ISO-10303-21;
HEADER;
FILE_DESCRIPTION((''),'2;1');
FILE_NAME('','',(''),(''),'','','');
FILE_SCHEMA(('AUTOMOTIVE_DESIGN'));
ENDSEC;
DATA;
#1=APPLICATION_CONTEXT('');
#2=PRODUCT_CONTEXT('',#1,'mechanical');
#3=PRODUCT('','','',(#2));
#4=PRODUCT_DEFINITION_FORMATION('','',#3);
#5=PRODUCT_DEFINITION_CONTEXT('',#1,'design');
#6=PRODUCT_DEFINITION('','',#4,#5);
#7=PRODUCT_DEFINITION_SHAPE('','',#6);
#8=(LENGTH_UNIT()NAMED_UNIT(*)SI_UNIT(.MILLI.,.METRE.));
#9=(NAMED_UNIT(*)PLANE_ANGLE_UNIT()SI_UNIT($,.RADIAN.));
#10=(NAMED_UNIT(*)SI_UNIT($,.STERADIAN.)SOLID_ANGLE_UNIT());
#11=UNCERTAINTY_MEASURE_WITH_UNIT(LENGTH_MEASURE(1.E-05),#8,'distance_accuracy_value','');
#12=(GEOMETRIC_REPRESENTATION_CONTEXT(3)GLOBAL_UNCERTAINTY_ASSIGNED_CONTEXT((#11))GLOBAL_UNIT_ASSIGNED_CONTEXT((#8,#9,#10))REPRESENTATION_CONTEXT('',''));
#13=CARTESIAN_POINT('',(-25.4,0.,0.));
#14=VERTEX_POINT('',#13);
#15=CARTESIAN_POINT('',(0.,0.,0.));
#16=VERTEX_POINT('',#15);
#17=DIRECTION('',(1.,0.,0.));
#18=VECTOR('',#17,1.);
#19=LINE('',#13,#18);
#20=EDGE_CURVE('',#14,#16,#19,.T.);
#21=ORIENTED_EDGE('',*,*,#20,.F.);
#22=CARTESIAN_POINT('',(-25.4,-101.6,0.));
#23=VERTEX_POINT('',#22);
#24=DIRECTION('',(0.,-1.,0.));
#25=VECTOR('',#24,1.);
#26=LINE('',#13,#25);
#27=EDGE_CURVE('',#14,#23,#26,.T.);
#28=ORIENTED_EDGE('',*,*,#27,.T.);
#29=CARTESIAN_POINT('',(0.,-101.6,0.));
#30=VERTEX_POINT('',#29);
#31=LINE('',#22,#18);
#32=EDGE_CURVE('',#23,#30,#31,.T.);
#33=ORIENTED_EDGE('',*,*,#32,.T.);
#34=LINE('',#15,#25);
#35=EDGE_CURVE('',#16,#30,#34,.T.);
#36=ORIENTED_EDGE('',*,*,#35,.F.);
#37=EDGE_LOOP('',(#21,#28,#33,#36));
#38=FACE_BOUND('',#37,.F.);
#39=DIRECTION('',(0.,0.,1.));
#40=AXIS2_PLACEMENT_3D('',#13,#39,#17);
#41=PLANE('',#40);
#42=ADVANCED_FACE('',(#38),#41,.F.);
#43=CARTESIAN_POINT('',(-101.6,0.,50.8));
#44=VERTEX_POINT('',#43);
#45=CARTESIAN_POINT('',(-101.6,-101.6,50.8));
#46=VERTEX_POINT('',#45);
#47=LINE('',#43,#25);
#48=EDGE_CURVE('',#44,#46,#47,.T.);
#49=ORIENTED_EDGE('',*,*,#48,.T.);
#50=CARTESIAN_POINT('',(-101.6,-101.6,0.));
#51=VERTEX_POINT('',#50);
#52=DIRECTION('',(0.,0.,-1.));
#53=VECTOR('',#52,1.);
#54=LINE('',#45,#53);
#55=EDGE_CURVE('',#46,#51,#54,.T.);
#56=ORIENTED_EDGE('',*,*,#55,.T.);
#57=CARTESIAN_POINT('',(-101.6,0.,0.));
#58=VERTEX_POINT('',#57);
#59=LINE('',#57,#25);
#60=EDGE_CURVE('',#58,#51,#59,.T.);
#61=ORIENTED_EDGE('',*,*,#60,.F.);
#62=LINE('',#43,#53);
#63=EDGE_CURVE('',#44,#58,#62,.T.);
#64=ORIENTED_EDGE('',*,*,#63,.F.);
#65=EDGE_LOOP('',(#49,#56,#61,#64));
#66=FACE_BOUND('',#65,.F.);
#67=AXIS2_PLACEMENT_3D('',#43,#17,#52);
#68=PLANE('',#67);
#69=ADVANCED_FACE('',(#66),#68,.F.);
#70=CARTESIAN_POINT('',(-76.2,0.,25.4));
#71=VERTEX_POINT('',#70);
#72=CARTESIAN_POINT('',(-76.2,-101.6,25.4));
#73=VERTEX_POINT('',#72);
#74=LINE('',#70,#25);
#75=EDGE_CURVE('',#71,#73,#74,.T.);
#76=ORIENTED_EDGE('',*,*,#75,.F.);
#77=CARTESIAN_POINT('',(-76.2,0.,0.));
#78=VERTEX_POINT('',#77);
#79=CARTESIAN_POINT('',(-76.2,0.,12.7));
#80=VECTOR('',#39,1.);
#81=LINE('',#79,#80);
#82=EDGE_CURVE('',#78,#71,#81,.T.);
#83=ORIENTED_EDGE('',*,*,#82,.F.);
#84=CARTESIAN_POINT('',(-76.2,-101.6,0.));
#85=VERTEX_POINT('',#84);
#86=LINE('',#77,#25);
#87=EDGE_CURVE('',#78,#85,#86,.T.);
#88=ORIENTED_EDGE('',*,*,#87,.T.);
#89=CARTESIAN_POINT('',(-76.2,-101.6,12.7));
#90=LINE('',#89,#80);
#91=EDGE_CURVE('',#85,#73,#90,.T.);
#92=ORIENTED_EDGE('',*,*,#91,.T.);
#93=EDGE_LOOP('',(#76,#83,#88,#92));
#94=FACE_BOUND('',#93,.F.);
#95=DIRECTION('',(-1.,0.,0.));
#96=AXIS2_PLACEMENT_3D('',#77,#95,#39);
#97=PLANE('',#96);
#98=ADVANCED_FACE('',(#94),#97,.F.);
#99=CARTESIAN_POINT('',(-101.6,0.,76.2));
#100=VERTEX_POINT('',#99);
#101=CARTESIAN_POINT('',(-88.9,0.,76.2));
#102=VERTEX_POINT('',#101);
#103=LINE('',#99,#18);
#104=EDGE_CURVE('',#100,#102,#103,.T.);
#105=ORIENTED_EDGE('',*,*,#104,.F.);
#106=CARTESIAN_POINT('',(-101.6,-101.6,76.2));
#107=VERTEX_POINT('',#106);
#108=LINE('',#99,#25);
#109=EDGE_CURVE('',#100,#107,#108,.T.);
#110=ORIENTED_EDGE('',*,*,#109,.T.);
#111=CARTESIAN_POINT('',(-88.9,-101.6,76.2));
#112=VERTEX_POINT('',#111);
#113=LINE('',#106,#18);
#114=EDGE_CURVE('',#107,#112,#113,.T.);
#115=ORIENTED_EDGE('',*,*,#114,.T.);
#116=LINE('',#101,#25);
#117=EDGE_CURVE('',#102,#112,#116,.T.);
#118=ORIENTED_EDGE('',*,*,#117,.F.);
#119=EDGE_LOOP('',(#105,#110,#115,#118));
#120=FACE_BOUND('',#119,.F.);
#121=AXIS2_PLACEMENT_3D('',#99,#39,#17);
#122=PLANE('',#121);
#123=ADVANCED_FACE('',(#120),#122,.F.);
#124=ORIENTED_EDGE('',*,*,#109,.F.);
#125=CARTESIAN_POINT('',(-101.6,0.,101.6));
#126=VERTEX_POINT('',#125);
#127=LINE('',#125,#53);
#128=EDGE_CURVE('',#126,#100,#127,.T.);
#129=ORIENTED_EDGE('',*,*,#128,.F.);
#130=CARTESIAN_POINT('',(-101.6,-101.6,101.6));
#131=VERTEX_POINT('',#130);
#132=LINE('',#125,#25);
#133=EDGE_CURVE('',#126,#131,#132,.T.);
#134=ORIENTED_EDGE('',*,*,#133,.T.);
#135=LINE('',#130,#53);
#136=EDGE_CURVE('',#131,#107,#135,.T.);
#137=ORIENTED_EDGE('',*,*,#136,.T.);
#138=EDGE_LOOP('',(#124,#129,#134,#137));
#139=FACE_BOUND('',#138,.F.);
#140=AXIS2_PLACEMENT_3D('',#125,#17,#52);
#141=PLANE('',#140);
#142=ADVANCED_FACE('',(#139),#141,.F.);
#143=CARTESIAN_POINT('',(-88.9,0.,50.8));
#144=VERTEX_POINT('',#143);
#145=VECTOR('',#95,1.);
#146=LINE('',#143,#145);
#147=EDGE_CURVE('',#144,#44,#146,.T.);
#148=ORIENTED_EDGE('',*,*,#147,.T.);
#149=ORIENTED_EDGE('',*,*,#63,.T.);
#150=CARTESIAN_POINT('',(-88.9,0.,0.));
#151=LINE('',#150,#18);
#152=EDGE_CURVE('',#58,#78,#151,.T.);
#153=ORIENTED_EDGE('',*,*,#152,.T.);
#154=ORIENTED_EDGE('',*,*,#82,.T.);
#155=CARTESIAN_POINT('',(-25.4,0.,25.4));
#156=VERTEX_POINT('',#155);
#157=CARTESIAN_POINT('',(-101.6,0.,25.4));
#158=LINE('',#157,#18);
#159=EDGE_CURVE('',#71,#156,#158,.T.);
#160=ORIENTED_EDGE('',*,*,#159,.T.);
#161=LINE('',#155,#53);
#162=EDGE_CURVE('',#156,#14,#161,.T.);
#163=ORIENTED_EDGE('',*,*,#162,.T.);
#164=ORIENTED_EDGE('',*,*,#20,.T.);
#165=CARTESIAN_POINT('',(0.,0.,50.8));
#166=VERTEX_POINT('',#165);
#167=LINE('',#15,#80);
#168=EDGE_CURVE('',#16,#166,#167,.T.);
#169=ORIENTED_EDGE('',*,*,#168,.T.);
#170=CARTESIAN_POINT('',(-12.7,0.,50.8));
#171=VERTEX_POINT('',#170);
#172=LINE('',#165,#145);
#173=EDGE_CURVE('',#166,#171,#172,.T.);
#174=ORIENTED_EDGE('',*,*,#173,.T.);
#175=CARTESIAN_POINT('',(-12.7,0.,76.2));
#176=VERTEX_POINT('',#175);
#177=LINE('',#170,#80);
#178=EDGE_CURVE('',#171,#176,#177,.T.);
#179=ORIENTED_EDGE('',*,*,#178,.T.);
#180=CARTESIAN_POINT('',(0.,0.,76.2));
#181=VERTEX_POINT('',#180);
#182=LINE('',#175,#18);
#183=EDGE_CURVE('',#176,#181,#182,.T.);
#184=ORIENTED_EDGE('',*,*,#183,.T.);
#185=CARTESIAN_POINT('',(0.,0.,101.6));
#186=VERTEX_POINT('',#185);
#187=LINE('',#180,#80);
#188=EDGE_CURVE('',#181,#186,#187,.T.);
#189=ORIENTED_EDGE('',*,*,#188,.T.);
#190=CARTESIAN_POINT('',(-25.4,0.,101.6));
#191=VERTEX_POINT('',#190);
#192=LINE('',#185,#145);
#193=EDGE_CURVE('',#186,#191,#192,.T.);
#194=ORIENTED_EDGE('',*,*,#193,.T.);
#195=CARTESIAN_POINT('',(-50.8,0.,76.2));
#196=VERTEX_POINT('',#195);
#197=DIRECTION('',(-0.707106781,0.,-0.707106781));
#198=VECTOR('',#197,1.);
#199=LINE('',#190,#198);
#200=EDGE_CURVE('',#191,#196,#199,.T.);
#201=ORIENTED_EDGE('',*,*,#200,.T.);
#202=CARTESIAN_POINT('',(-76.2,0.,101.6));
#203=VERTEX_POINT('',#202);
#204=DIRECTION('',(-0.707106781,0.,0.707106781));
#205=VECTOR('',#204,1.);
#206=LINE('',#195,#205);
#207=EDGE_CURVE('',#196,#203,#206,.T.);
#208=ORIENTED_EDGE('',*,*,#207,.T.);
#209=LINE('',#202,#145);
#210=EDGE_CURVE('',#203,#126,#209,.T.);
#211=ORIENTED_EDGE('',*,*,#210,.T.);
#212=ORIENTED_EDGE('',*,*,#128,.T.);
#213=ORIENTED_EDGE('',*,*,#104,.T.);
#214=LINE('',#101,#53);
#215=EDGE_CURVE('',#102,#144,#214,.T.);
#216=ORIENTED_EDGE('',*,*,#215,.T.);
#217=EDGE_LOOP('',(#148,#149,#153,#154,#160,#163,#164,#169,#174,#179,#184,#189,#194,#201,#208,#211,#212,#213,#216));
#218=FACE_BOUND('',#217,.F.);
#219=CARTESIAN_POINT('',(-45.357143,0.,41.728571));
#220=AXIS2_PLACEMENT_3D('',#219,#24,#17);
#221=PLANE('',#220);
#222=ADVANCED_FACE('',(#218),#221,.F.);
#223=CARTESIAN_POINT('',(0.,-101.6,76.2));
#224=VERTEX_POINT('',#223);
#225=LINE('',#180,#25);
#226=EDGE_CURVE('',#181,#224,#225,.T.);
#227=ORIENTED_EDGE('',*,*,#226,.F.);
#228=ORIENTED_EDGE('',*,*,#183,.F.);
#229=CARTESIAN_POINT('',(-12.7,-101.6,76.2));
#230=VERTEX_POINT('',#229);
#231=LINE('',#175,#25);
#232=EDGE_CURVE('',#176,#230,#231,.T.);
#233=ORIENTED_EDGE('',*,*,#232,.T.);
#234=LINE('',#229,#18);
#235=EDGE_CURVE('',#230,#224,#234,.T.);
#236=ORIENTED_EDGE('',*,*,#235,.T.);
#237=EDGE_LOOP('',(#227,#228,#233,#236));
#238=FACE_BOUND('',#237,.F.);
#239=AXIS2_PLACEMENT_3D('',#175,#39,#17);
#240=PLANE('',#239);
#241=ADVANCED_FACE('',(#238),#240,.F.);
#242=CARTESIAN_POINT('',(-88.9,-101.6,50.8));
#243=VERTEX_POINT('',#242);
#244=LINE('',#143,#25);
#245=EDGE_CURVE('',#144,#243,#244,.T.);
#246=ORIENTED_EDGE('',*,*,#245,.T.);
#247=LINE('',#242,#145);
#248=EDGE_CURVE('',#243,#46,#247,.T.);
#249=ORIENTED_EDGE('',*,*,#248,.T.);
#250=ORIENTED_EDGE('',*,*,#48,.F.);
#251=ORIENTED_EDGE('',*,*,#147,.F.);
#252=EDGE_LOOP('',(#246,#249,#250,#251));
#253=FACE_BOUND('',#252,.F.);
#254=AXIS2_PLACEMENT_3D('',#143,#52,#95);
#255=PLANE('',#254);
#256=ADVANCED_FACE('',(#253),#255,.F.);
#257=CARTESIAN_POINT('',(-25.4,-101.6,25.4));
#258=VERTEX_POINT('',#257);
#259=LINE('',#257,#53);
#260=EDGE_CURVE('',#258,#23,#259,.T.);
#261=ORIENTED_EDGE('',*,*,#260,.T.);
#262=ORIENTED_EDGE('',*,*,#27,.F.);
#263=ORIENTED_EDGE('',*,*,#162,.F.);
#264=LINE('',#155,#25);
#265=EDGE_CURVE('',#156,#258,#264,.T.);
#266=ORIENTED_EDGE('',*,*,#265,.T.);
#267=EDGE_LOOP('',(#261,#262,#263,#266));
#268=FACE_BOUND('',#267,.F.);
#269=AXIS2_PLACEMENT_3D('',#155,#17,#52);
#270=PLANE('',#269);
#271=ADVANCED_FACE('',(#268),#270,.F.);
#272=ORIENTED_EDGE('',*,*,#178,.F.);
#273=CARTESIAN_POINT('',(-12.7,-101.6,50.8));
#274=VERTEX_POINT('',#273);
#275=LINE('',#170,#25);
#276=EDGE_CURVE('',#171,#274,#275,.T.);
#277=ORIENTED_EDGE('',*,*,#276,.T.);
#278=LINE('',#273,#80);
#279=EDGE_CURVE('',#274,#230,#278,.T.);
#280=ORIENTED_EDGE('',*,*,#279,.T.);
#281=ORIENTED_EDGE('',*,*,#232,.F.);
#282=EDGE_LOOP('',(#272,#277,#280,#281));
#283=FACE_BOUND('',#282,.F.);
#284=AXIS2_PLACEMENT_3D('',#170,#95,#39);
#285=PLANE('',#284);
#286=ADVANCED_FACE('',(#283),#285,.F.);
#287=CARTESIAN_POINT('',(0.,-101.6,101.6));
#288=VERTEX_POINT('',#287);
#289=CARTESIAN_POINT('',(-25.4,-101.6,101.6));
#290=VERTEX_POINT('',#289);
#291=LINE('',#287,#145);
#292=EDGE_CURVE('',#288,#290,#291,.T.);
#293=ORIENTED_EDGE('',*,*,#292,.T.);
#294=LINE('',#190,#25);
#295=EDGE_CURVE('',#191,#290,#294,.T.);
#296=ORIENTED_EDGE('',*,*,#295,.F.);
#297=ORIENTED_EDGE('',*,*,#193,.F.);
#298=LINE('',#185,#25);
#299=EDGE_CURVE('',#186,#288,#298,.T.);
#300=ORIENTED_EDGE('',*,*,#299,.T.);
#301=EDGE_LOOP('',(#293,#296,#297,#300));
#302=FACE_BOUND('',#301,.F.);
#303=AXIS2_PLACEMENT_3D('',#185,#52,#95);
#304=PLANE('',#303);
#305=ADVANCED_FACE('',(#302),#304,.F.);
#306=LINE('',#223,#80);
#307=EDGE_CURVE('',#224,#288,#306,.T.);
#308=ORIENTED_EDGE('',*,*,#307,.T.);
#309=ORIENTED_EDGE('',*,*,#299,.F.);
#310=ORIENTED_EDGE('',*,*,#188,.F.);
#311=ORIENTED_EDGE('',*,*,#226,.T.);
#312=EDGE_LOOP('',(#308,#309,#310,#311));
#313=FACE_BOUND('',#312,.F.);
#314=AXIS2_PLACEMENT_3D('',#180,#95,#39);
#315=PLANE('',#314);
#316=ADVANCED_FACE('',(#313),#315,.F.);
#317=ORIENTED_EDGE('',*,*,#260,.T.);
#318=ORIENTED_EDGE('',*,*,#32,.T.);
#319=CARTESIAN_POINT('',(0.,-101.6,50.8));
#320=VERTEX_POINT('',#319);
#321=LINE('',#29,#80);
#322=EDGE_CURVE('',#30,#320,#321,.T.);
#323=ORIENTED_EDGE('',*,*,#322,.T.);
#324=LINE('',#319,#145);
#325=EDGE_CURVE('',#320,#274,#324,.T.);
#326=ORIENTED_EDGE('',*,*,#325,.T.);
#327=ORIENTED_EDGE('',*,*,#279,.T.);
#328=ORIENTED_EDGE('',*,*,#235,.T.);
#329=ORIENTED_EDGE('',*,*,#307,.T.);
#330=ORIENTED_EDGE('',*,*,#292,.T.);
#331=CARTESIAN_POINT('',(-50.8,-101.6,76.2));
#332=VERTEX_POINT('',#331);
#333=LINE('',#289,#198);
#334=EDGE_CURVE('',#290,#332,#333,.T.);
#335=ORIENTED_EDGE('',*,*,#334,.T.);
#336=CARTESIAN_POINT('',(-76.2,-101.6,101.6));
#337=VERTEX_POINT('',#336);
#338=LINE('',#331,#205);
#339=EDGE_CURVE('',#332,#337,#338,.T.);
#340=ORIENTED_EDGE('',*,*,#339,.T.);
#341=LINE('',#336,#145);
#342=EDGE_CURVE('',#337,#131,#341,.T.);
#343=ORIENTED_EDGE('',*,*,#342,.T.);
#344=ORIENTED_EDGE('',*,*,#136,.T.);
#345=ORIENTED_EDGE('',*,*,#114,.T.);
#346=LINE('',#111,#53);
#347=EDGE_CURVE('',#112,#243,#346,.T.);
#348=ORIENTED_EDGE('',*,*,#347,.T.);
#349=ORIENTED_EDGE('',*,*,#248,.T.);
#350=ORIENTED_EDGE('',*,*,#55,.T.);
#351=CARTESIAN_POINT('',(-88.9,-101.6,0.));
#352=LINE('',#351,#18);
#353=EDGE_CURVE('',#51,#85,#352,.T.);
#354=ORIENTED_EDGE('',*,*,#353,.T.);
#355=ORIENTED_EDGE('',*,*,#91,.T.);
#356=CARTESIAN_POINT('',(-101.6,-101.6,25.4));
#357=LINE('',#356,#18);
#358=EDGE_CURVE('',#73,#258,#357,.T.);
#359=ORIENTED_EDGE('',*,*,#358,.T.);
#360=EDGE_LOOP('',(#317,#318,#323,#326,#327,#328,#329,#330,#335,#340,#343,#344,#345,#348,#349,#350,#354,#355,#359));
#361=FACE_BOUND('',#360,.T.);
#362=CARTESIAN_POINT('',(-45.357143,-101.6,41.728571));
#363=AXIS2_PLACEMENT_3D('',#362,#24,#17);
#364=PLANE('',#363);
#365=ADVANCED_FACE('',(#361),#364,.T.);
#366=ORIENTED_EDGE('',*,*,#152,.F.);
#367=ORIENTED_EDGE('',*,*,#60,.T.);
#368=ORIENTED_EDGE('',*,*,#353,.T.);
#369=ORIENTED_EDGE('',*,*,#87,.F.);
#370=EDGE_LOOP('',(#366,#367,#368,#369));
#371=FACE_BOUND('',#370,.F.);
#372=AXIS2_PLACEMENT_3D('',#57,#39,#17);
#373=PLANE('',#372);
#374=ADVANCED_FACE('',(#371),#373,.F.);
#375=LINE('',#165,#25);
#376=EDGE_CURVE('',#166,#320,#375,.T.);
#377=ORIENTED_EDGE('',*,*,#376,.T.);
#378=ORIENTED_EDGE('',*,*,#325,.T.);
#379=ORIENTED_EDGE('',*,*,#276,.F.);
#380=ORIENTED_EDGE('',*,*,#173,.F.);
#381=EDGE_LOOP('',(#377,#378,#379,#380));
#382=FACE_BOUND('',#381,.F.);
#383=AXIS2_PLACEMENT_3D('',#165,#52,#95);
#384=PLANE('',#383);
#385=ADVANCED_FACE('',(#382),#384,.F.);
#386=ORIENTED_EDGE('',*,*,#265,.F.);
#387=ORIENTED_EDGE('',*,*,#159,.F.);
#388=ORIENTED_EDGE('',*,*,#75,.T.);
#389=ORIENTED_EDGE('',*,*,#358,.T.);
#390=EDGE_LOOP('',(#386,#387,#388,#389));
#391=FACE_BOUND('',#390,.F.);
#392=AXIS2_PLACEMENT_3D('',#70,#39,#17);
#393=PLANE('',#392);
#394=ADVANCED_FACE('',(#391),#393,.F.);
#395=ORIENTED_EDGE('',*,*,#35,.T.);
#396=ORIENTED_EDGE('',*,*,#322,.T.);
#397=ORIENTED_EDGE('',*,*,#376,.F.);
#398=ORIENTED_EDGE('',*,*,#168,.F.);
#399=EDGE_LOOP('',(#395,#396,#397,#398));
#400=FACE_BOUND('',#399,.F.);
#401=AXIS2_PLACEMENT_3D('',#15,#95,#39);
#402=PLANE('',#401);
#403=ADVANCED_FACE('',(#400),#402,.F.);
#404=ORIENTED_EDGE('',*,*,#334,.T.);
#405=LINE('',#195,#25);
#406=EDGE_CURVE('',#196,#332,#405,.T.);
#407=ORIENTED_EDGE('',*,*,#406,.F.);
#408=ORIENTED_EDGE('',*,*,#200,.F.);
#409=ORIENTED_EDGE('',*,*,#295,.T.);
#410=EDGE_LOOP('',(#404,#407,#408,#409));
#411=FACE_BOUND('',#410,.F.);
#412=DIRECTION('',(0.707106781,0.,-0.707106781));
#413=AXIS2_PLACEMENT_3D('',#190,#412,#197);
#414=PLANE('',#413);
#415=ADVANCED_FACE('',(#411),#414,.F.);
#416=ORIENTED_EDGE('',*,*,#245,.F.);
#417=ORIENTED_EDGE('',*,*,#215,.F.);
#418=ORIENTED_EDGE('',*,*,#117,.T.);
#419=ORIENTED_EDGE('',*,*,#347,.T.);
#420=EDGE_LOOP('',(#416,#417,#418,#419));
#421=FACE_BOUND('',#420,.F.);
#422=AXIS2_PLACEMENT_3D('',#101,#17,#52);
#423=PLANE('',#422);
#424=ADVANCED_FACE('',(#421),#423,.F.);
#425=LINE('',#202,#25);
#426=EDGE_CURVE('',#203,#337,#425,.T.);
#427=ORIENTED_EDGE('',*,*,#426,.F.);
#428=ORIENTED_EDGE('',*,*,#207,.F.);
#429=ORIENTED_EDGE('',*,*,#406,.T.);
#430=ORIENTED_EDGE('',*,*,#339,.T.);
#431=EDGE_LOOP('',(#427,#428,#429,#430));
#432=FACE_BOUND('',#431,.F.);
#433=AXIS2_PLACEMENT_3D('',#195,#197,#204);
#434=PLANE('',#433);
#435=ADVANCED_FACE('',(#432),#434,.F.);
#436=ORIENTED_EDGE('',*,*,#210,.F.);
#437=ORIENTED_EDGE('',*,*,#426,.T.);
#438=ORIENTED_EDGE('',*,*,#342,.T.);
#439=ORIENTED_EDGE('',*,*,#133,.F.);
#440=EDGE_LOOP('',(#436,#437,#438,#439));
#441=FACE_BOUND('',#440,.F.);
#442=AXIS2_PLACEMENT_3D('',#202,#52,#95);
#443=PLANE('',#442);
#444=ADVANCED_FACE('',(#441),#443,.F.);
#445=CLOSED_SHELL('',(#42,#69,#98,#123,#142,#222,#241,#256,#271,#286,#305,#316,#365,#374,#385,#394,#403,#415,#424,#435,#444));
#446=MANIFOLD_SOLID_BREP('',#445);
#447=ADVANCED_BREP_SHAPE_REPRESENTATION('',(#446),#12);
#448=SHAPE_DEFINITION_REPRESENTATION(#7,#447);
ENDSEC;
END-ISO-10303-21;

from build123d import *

# Parameters (mm, degrees)
F0_W     = 25.4
F0_H     = 25.4
F1_DEPTH = 101.6


with BuildPart() as f1:
    # F0 (on Front) → F1 (new body)
    with BuildSketch(Plane.XZ):
        Polygon((-12.7, 76.2), (-50.8, 76.2), (-88.9, 76.2), (-88.9, 50.8), (-101.6, 50.8), (-101.6, 25.4), (-76.2, 25.4), (-25.4, 25.4), (-25.4, 0), (0, 0), (0, 50.8), (-12.7, 50.8), align=None)
        with Locations((-88.9, 12.7)):
            Rectangle(F0_W, F0_H)
        Polygon((-88.9, 76.2), (-50.8, 76.2), (-76.2, 101.6), (-101.6, 101.6), (-101.6, 76.2), align=None)
        Polygon((0, 76.2), (0, 101.6), (-25.4, 101.6), (-50.8, 76.2), (-12.7, 76.2), align=None)
    extrude(amount=F1_DEPTH)


solid = f1.part
